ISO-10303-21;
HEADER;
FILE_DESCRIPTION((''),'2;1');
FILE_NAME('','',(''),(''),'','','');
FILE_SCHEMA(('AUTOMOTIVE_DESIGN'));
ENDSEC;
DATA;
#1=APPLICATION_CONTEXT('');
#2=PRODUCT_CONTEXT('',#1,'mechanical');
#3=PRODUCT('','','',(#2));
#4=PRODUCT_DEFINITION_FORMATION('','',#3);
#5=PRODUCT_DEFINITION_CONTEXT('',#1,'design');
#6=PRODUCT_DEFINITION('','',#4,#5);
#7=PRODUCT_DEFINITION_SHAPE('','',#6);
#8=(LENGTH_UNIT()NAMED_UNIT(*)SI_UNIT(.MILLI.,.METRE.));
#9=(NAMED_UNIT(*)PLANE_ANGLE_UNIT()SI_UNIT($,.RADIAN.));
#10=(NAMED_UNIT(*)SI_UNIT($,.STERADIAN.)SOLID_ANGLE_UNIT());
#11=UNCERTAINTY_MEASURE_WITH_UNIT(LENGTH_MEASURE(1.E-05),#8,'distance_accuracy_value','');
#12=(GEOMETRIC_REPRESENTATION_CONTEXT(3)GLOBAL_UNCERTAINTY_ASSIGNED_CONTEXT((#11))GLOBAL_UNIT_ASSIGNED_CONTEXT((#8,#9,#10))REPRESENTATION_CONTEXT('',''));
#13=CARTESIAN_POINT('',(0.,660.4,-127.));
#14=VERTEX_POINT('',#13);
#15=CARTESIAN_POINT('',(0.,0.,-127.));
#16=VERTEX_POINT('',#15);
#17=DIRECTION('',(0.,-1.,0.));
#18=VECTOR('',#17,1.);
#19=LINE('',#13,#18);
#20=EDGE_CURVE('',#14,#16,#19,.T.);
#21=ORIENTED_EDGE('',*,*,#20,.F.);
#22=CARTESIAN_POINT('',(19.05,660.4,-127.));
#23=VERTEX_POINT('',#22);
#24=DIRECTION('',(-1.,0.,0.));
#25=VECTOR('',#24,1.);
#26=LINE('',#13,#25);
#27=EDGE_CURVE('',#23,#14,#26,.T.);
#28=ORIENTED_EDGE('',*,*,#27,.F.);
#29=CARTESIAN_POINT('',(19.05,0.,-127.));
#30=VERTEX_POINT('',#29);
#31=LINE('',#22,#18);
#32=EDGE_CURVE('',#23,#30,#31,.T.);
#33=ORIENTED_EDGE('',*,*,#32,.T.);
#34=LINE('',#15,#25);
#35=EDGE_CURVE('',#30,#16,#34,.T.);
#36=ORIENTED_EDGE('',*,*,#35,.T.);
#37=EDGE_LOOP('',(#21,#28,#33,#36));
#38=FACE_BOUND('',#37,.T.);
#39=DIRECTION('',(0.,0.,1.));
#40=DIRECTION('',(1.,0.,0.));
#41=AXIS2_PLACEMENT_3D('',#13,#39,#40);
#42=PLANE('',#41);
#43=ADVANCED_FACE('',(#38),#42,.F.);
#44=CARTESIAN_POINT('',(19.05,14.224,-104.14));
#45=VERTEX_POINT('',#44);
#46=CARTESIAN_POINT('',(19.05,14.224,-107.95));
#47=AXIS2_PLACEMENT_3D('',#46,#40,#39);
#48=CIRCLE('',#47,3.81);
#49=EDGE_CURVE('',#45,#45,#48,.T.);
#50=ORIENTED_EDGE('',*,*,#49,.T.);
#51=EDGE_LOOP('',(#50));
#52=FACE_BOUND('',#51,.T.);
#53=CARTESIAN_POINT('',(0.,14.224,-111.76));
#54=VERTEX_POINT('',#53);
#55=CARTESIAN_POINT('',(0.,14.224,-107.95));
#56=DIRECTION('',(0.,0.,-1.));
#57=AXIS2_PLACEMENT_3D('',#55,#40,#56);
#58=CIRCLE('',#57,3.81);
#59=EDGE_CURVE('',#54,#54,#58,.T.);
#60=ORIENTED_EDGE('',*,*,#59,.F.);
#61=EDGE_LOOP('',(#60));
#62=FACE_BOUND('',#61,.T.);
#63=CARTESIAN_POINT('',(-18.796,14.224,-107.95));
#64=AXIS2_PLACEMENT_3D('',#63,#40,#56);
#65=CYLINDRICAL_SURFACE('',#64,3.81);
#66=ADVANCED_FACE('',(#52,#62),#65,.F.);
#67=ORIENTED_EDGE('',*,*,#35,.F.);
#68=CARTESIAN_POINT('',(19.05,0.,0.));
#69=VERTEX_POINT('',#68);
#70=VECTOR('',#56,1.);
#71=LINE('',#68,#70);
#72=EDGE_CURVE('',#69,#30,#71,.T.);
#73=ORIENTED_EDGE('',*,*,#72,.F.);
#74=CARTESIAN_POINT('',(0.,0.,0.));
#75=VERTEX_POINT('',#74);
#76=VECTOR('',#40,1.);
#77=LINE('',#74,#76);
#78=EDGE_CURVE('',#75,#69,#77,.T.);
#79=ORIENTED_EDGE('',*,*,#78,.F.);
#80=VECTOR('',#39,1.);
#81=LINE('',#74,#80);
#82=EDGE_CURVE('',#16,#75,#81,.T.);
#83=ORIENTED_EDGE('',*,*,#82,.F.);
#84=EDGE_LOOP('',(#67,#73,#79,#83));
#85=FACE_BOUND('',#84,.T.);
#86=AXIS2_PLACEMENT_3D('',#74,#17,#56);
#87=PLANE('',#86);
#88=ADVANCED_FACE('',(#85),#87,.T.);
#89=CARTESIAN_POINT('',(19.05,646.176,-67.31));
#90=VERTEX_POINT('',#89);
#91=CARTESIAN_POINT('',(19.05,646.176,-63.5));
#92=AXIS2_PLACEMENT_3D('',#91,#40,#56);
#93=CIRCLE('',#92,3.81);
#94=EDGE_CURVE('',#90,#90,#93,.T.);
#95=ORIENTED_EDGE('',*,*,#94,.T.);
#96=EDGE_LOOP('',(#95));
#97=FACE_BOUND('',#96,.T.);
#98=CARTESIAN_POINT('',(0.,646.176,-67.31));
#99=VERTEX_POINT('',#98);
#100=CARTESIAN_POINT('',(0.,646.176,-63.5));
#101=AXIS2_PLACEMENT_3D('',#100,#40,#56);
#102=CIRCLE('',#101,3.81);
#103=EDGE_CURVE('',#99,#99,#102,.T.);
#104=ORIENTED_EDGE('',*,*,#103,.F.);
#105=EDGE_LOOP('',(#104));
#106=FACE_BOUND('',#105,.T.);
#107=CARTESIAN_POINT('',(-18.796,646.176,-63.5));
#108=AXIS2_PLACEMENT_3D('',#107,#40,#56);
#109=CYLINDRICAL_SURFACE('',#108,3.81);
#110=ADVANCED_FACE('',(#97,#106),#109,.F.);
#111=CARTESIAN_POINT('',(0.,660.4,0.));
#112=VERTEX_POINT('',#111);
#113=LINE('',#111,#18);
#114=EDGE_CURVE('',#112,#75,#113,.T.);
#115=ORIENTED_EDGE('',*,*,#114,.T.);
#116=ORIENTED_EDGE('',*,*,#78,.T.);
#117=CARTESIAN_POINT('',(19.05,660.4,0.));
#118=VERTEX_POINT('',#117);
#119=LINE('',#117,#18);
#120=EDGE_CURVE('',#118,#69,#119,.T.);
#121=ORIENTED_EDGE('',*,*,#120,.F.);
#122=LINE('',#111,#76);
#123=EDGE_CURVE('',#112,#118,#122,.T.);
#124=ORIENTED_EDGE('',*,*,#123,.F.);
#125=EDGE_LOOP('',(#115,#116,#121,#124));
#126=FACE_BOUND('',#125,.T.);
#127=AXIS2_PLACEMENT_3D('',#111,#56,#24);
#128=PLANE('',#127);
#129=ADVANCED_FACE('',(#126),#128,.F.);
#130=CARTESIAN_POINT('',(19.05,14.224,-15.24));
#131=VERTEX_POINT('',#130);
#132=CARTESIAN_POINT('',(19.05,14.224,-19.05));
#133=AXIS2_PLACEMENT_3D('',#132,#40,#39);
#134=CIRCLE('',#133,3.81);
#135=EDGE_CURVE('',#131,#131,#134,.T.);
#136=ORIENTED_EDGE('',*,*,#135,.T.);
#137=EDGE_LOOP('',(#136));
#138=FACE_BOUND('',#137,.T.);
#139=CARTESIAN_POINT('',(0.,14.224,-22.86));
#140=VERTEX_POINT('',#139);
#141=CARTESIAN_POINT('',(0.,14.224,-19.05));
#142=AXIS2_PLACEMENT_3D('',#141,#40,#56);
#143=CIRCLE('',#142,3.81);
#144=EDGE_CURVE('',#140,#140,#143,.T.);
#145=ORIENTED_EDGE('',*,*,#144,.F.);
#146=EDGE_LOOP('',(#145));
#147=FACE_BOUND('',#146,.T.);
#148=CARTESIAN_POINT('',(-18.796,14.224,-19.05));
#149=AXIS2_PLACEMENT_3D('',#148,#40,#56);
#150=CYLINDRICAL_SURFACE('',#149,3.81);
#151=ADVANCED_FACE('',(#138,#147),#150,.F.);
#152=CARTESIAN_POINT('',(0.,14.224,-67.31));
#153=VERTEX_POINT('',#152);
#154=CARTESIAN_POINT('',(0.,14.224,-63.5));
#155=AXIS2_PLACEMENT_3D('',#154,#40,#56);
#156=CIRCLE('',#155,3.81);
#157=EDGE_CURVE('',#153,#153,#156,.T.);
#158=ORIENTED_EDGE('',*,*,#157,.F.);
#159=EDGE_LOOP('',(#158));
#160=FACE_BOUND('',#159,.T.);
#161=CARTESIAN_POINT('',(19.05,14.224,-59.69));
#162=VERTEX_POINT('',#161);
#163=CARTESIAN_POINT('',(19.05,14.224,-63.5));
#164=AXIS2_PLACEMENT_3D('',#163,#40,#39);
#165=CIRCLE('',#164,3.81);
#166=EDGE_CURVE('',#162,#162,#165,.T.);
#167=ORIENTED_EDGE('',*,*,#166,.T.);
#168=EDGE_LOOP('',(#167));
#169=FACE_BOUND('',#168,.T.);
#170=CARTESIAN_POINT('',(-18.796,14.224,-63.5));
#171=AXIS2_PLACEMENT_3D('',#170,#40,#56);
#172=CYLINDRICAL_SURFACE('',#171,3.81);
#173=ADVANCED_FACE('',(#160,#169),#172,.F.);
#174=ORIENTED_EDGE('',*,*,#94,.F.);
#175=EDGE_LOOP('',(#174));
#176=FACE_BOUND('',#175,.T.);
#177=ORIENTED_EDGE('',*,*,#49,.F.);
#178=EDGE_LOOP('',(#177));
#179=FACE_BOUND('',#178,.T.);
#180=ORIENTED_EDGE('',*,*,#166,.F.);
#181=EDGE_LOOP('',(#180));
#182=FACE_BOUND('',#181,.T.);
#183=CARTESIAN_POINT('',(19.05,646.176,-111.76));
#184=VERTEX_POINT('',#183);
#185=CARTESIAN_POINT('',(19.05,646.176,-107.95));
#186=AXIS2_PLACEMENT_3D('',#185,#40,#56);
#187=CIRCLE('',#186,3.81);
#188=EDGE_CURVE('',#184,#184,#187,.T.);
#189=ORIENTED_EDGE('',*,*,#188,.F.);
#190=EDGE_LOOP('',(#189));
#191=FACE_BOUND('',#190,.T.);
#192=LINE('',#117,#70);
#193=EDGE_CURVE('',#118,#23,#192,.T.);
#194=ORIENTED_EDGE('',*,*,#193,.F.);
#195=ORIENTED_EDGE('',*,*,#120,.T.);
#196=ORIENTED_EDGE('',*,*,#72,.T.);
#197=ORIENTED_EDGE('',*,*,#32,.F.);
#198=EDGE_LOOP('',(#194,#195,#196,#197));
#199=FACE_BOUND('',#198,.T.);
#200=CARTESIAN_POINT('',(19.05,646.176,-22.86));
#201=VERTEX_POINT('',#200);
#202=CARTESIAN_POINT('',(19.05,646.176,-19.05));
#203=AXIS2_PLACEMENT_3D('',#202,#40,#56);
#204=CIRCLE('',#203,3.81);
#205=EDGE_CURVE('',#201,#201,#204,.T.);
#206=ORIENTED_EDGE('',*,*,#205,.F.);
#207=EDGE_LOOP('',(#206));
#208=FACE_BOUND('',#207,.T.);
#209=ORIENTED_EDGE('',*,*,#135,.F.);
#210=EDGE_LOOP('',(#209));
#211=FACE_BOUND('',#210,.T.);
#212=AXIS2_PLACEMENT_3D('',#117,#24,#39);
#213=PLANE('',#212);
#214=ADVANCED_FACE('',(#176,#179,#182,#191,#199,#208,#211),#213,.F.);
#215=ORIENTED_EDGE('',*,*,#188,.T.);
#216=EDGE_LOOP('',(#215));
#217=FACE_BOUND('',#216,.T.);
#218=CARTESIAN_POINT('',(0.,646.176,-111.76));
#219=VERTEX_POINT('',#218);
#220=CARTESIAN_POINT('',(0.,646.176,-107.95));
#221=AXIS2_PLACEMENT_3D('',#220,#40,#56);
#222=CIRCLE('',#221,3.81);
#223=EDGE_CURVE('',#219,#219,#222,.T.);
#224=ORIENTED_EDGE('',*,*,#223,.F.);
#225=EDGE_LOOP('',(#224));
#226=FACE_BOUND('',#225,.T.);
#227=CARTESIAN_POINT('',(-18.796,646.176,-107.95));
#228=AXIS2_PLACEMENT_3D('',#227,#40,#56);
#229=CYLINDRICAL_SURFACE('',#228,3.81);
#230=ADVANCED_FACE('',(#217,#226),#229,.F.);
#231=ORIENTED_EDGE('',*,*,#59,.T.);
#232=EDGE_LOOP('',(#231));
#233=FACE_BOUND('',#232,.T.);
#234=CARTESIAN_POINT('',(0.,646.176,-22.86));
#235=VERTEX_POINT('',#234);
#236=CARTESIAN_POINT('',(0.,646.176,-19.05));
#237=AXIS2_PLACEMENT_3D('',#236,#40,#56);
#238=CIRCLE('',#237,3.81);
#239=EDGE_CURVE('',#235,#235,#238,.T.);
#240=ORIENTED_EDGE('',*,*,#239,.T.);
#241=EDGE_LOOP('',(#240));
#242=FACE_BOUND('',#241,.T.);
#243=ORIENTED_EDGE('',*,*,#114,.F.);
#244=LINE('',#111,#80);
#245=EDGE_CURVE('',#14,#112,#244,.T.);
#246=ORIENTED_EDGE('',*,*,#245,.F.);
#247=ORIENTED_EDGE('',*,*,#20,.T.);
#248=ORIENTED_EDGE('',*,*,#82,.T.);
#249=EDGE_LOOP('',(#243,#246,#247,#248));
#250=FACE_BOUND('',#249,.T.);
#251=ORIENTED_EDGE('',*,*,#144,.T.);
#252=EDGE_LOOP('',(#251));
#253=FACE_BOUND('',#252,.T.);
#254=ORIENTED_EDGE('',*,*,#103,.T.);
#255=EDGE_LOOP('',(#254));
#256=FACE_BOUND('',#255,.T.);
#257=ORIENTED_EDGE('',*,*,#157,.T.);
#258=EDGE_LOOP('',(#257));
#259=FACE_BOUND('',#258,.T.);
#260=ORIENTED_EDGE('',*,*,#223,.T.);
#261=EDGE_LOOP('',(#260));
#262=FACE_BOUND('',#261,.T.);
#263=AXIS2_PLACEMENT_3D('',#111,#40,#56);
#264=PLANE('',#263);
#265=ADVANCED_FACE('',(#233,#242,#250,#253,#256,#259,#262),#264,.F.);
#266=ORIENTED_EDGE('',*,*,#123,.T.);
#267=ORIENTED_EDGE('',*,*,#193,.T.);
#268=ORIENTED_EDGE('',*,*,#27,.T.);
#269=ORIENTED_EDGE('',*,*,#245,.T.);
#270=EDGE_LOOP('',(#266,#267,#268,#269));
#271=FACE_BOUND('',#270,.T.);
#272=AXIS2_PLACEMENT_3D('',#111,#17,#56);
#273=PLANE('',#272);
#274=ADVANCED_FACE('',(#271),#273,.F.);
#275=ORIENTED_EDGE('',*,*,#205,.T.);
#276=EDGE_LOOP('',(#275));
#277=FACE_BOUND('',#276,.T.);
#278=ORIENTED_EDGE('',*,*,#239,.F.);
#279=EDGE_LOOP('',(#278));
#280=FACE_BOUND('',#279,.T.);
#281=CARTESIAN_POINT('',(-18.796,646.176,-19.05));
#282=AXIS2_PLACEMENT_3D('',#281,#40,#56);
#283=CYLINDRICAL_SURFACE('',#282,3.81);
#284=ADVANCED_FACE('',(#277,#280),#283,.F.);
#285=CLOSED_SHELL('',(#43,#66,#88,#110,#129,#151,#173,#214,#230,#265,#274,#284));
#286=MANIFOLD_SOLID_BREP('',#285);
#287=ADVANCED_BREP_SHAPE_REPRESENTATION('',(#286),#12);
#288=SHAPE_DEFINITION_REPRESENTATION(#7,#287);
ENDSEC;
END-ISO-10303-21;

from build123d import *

# Parameters (mm, degrees)
SKETCH1_W           = 19.05
SKETCH1_H           = 127
BOSS_EXTRUDE1_DEPTH = 660.4
SKETCH2_R           = 3.81
CUT_EXTRUDE1_DEPTH  = 37.846


with BuildPart() as part:
    # Sketch1 → Boss-Extrude1 (new body)
    with BuildSketch(Plane(origin=(0, 0, 0), x_dir=(1, 0, 0), z_dir=(0, 1, 0))):
        with Locations((9.525, 63.5)):
            Rectangle(SKETCH1_W, SKETCH1_H)
    extrude(amount=BOSS_EXTRUDE1_DEPTH)

    # Sketch2 → Cut-Extrude1 (cut)
    with BuildSketch(Plane(origin=(19.05, 0, 0), x_dir=(0, 0, -1), z_dir=(1, 0, 0))):
        with Locations((107.95, 646.176)):
            Circle(SKETCH2_R)
        with Locations((63.5, 646.176)):
            Circle(SKETCH2_R)
        with Locations((19.05, 646.176)):
            Circle(SKETCH2_R)
        with Locations((19.05, 14.224)):
            Circle(SKETCH2_R)
        with Locations((63.5, 14.224)):
            Circle(SKETCH2_R)
        with Locations((107.95, 14.224)):
            Circle(SKETCH2_R)
    extrude(amount=-CUT_EXTRUDE1_DEPTH, mode=Mode.SUBTRACT)


solid = part.part
